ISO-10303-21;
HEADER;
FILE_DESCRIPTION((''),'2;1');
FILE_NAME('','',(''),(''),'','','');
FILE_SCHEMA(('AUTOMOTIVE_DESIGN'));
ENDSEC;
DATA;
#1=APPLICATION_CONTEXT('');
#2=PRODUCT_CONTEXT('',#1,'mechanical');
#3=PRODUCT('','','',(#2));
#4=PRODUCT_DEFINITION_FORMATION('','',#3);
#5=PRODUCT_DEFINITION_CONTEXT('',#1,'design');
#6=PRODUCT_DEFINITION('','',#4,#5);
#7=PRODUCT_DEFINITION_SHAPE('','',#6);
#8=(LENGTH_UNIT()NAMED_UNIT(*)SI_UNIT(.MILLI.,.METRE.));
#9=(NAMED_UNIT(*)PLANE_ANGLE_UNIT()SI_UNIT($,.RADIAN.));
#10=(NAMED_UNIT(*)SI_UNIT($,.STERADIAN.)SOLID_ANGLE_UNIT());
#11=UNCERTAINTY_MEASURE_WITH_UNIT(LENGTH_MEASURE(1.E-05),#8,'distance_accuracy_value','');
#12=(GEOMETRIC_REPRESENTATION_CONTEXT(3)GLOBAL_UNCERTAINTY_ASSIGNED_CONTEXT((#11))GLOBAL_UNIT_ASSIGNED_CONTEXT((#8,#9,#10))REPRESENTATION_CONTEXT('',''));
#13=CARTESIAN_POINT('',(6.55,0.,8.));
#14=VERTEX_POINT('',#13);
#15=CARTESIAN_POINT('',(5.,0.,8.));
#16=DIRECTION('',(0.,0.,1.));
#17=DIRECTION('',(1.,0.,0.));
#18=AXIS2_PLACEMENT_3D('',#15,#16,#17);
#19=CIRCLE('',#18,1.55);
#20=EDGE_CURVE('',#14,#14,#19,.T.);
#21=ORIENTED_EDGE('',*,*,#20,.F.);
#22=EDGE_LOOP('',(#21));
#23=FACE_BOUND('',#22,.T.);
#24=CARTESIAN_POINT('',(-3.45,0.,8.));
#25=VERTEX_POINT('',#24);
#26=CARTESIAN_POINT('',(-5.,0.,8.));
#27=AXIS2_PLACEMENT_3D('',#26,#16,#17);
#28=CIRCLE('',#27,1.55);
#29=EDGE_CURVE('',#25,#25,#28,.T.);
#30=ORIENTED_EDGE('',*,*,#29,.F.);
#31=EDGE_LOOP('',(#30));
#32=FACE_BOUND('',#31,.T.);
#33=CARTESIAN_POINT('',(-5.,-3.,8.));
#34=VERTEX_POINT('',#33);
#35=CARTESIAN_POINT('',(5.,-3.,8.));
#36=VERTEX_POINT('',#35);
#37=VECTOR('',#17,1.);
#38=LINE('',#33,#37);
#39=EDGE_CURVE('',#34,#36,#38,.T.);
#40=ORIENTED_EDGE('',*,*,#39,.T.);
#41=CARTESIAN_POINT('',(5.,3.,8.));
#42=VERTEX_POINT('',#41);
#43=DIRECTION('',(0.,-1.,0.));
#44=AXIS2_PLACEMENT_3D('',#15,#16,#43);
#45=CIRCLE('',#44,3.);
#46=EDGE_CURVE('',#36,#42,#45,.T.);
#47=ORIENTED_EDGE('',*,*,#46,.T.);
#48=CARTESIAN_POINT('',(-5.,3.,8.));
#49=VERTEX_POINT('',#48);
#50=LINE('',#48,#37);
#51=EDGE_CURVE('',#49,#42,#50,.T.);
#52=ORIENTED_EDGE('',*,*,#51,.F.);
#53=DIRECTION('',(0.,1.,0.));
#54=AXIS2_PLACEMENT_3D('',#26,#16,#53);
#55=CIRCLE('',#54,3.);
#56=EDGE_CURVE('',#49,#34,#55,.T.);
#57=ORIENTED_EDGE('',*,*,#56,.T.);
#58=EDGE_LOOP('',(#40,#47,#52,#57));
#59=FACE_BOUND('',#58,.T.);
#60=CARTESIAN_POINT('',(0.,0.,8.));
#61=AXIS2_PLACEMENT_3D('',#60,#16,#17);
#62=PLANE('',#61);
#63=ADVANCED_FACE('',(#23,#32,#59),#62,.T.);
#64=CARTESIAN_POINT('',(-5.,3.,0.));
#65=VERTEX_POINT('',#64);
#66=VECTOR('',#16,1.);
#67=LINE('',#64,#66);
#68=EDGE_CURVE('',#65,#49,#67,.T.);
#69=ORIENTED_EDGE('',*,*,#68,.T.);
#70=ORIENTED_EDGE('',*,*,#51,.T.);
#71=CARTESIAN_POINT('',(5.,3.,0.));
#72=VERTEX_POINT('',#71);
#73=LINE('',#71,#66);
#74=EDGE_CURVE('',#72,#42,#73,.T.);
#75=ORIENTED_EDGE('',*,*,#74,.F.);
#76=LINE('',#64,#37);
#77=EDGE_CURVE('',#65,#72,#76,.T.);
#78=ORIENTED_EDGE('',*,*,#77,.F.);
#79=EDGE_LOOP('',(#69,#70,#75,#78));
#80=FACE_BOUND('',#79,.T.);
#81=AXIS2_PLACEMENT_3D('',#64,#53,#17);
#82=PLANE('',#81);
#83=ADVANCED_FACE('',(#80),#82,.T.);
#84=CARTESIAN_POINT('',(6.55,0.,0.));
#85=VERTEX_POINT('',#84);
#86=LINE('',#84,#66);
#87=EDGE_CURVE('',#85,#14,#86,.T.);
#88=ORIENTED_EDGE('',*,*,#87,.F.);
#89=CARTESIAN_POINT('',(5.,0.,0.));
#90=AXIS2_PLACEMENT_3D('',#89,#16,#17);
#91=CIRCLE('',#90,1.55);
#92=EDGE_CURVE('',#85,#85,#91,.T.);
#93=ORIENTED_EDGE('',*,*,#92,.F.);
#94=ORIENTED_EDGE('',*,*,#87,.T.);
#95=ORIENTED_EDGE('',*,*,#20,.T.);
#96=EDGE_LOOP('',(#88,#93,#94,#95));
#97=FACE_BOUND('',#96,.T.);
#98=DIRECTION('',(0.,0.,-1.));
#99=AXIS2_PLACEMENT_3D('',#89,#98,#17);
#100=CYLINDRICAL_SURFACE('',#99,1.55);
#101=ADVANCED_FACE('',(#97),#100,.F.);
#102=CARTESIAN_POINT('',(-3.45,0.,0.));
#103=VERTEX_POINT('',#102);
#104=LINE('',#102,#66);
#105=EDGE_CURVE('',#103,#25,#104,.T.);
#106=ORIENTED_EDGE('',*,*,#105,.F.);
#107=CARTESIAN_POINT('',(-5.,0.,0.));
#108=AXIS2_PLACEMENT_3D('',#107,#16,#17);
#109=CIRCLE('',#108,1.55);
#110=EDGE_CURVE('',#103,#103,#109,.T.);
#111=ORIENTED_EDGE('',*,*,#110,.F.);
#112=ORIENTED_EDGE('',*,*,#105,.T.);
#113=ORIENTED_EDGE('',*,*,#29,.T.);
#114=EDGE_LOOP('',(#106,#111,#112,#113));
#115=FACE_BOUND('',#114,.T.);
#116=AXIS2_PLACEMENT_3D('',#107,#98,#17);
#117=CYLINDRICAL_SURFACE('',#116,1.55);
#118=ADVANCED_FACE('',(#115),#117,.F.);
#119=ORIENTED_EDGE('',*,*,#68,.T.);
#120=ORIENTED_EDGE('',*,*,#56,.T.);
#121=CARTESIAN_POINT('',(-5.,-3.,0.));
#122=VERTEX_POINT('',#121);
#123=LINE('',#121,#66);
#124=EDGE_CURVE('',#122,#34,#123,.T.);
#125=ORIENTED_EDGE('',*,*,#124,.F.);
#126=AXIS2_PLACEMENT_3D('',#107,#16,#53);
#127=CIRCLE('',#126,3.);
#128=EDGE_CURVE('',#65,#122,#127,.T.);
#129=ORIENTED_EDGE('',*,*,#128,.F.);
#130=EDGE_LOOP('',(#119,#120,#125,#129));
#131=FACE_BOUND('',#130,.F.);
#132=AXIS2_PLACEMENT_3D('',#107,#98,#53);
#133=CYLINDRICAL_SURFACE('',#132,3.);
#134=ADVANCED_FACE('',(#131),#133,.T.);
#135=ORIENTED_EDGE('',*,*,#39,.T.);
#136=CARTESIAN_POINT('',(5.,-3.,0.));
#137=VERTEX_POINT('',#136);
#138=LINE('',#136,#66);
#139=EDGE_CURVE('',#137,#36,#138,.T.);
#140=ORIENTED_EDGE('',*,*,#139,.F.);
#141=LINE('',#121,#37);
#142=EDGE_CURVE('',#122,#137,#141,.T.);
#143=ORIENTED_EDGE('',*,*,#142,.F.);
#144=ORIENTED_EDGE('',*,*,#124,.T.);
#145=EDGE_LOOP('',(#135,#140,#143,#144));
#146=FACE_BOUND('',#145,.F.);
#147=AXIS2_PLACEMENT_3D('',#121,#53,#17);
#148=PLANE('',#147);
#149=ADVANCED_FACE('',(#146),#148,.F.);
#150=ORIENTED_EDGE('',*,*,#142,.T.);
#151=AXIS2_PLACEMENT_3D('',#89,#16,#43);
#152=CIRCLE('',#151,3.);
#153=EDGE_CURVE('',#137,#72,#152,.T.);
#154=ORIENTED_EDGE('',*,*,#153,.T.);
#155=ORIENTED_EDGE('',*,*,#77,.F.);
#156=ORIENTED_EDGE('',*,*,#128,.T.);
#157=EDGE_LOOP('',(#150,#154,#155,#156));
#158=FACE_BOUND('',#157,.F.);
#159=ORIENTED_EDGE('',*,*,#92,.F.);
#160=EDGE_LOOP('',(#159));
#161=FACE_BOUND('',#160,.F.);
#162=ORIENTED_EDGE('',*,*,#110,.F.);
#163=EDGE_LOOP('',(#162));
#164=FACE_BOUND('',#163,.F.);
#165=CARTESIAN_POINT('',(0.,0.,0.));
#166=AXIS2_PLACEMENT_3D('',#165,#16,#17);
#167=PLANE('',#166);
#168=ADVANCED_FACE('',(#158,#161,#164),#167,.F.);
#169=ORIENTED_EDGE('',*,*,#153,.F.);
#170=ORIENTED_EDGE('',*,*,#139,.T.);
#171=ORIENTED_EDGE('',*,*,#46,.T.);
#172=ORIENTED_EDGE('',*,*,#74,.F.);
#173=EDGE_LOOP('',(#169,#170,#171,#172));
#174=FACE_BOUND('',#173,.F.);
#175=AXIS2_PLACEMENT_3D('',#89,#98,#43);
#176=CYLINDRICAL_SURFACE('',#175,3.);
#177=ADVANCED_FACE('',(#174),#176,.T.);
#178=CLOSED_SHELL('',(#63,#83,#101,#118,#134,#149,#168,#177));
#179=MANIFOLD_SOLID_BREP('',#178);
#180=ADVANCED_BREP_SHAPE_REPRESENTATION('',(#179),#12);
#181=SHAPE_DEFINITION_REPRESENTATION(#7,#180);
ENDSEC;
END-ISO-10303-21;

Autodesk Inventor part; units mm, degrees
ref_plane "YZ Plane" through (0, 0, 0) normal (1, 0, 0) x (0, 1, 0)
ref_plane "XZ Plane" through (0, 0, 0) normal (0, 1, 0) x (-1, 0, 0)
ref_plane "XY Plane" through (0, 0, 0) normal (0, 0, 1) x (1, 0, 0)
sketch "スケッチ1" plane through (0, 0, 0) normal (0, 0, 1) x (1, 0, 0)
  circle A0 centre (-5, 0) radius 1.55
  line L0 (0, 0) -> (-5, 0) construction
  line L1 (0, 0) -> (5, 0) construction
  circle A1 centre (5, 0) radius 1.55
  line L2 (-5, 3) -> (5, 3)
  arc A2 (-5, 3) -> (-5, -3) centre (-5, 0) ccw
  line L3 (-5, -3) -> (5, -3)
  arc A3 (5, -3) -> (5, 3) centre (5, 0) ccw
  dimension "d0" = 5
  dimension "d1" = 3.1
  dimension "d2" = 3
extrude "押し出し1" add sketch "スケッチ1" along normal blind 8
properties part number "胴体_サブフレーム_1_8" material "アセタール樹脂、黒"
